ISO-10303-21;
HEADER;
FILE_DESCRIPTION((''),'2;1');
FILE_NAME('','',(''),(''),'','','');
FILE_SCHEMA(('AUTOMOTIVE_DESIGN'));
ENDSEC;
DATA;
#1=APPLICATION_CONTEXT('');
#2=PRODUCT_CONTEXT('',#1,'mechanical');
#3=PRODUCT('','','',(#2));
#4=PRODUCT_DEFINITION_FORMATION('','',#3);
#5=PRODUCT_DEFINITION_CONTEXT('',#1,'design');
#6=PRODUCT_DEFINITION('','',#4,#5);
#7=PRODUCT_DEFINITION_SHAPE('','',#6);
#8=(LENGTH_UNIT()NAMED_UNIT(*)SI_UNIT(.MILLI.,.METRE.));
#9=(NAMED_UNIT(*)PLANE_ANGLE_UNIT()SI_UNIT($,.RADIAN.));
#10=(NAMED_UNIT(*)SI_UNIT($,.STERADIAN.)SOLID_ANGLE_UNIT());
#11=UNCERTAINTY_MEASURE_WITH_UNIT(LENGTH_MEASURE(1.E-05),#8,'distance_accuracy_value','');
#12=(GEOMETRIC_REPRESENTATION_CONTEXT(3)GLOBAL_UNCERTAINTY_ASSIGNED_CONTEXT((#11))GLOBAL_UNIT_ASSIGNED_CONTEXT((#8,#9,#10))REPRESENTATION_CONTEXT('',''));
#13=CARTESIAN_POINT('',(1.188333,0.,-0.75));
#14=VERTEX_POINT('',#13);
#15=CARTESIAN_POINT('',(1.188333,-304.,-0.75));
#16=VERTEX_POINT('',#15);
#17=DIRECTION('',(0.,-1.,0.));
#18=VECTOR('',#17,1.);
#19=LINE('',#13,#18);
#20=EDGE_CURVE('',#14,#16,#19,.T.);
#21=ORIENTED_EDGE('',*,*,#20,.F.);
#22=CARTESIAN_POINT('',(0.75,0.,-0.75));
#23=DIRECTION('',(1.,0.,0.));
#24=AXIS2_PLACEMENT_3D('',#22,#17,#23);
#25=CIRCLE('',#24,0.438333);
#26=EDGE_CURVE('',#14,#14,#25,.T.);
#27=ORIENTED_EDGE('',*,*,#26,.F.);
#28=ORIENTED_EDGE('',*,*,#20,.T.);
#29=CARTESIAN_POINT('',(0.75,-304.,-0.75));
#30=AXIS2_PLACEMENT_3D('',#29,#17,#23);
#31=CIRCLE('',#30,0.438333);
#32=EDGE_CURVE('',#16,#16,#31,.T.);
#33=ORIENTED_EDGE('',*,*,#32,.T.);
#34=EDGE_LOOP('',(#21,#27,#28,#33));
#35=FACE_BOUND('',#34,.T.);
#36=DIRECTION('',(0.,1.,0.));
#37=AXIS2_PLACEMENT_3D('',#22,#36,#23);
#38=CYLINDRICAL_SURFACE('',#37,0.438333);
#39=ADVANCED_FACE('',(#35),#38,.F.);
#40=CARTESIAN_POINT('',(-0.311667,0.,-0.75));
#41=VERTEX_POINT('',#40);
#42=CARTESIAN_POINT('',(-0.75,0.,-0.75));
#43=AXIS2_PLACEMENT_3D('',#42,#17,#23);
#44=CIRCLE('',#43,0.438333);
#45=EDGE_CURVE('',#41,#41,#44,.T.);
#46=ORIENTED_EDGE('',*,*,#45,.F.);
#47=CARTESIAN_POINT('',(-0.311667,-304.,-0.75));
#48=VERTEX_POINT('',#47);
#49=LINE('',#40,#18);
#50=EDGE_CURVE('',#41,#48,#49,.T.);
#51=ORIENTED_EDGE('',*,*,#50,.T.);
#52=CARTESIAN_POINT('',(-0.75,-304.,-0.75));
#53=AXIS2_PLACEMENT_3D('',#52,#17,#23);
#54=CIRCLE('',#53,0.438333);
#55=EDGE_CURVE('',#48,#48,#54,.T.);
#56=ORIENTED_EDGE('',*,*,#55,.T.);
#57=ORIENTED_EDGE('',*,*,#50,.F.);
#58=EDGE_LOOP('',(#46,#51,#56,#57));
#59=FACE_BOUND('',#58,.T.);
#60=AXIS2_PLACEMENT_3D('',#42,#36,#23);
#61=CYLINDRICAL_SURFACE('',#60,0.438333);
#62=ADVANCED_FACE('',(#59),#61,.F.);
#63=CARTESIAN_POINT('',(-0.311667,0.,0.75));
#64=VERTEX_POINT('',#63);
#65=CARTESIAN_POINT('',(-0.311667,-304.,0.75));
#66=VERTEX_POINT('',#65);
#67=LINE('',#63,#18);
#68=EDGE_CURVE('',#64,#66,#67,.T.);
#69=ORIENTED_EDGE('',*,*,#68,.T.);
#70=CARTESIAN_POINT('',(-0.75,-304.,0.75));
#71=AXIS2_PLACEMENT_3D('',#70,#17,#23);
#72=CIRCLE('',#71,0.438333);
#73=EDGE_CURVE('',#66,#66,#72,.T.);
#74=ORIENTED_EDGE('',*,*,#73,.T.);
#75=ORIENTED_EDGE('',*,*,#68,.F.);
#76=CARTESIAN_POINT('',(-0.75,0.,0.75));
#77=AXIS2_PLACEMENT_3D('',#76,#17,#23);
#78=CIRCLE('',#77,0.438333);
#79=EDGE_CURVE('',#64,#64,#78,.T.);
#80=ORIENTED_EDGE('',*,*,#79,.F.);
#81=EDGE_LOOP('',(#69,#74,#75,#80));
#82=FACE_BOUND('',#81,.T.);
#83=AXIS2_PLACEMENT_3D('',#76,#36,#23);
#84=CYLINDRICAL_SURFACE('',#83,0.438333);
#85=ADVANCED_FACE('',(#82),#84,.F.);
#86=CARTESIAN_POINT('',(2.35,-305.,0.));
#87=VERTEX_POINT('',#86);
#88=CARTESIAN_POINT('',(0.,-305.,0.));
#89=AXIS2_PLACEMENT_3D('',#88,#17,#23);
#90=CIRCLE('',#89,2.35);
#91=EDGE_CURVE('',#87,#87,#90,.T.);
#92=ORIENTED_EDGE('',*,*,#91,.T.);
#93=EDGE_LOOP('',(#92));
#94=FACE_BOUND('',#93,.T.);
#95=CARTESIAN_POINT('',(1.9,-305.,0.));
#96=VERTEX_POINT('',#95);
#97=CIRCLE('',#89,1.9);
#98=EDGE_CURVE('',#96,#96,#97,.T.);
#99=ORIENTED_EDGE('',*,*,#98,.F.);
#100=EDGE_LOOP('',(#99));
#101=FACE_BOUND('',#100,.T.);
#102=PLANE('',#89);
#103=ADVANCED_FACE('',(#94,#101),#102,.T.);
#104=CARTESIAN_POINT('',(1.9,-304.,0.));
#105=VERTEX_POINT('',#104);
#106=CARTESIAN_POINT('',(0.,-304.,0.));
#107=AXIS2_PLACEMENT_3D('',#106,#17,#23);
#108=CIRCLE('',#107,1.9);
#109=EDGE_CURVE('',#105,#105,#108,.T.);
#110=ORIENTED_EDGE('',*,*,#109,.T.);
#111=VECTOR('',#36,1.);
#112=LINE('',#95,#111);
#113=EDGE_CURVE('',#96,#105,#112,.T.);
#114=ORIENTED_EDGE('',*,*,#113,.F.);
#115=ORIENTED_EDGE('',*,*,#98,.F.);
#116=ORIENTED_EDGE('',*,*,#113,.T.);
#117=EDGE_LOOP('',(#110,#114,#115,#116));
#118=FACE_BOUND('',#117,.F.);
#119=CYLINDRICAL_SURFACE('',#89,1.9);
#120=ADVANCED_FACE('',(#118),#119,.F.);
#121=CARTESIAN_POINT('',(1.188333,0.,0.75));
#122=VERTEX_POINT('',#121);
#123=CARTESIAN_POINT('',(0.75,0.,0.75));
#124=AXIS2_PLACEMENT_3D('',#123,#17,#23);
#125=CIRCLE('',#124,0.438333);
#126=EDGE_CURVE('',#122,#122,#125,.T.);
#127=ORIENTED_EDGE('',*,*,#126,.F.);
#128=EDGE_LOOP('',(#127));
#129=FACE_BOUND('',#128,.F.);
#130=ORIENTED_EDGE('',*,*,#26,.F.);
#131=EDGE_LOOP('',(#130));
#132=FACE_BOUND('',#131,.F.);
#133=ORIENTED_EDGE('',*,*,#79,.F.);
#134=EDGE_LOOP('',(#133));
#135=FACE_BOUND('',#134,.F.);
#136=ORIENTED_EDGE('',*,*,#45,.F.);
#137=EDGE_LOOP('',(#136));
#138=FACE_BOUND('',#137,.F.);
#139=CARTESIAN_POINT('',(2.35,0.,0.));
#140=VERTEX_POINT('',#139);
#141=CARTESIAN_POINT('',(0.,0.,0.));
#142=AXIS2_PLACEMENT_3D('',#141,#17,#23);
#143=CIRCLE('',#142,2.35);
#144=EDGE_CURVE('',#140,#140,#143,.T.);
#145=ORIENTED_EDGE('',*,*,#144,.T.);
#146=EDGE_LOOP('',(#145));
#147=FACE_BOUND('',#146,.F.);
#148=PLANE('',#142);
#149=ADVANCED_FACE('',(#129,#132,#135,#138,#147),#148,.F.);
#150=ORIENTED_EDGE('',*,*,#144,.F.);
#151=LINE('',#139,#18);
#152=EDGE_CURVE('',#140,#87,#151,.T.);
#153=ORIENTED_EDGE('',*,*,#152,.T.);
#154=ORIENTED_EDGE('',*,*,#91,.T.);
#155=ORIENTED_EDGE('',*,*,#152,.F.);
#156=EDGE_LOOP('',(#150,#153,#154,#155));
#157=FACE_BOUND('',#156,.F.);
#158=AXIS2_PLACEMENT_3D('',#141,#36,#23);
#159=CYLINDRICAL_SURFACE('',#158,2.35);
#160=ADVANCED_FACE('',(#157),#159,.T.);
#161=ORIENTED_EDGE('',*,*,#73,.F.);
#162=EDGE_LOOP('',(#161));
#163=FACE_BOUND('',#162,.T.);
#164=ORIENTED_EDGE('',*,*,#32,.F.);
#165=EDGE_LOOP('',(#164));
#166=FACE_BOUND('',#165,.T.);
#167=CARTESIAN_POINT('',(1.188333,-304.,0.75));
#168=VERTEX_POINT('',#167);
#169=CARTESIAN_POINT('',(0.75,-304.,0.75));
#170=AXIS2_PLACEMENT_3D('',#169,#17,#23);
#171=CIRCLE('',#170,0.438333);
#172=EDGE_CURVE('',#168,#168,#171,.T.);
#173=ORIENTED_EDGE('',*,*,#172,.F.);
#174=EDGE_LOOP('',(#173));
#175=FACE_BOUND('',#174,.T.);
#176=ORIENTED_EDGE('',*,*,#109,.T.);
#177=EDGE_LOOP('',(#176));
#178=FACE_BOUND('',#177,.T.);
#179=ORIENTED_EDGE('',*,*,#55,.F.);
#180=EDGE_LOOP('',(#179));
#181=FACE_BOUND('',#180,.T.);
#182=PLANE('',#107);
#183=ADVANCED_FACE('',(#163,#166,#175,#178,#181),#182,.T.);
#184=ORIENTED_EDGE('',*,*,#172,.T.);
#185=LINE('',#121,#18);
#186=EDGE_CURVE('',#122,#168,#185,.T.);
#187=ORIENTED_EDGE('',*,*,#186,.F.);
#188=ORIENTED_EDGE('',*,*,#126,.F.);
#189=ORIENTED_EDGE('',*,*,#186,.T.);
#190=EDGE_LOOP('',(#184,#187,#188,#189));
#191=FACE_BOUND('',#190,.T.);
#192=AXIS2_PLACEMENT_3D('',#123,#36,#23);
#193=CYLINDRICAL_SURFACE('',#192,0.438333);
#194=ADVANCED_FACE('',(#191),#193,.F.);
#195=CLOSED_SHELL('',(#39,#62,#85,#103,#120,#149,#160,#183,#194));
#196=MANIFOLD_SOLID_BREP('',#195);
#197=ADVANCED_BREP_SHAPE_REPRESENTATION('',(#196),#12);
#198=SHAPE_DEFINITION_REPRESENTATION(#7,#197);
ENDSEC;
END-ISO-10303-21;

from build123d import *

# Parameters (mm, degrees)
F0_R     = 2.35
F0_R_2   = 1.9
F0_R_3   = 0.438333
F1_DEPTH = 305
F2_R     = 1.9
F2_R_2   = 0.438333
F3_DEPTH = 1


with BuildPart() as f1:
    # F0 (on Front) → F1 (new body)
    with BuildSketch(Plane.XZ):
        Circle(F0_R)
        Circle(F0_R_2, mode=Mode.SUBTRACT)
        Circle(F0_R_2)
        with Locations((-0.75, -0.75)):
            Circle(F0_R_3, mode=Mode.SUBTRACT)
        with Locations((0.75, -0.75)):
            Circle(F0_R_3, mode=Mode.SUBTRACT)
        with Locations((-0.75, 0.75)):
            Circle(F0_R_3, mode=Mode.SUBTRACT)
        with Locations((0.75, 0.75)):
            Circle(F0_R_3, mode=Mode.SUBTRACT)
    extrude(amount=F1_DEPTH)

    # F2 (on face) → F3 (cut)
    with BuildSketch(Plane.XZ.offset(305)):
        Circle(F2_R)
        with Locations((-0.75, -0.75)):
            Circle(F2_R_2, mode=Mode.SUBTRACT)
        with Locations((0.75, -0.75)):
            Circle(F2_R_2, mode=Mode.SUBTRACT)
        with Locations((-0.75, 0.75)):
            Circle(F2_R_2, mode=Mode.SUBTRACT)
        with Locations((0.75, 0.75)):
            Circle(F2_R_2, mode=Mode.SUBTRACT)
    extrude(amount=-F3_DEPTH, mode=Mode.SUBTRACT)


solid = f1.part
